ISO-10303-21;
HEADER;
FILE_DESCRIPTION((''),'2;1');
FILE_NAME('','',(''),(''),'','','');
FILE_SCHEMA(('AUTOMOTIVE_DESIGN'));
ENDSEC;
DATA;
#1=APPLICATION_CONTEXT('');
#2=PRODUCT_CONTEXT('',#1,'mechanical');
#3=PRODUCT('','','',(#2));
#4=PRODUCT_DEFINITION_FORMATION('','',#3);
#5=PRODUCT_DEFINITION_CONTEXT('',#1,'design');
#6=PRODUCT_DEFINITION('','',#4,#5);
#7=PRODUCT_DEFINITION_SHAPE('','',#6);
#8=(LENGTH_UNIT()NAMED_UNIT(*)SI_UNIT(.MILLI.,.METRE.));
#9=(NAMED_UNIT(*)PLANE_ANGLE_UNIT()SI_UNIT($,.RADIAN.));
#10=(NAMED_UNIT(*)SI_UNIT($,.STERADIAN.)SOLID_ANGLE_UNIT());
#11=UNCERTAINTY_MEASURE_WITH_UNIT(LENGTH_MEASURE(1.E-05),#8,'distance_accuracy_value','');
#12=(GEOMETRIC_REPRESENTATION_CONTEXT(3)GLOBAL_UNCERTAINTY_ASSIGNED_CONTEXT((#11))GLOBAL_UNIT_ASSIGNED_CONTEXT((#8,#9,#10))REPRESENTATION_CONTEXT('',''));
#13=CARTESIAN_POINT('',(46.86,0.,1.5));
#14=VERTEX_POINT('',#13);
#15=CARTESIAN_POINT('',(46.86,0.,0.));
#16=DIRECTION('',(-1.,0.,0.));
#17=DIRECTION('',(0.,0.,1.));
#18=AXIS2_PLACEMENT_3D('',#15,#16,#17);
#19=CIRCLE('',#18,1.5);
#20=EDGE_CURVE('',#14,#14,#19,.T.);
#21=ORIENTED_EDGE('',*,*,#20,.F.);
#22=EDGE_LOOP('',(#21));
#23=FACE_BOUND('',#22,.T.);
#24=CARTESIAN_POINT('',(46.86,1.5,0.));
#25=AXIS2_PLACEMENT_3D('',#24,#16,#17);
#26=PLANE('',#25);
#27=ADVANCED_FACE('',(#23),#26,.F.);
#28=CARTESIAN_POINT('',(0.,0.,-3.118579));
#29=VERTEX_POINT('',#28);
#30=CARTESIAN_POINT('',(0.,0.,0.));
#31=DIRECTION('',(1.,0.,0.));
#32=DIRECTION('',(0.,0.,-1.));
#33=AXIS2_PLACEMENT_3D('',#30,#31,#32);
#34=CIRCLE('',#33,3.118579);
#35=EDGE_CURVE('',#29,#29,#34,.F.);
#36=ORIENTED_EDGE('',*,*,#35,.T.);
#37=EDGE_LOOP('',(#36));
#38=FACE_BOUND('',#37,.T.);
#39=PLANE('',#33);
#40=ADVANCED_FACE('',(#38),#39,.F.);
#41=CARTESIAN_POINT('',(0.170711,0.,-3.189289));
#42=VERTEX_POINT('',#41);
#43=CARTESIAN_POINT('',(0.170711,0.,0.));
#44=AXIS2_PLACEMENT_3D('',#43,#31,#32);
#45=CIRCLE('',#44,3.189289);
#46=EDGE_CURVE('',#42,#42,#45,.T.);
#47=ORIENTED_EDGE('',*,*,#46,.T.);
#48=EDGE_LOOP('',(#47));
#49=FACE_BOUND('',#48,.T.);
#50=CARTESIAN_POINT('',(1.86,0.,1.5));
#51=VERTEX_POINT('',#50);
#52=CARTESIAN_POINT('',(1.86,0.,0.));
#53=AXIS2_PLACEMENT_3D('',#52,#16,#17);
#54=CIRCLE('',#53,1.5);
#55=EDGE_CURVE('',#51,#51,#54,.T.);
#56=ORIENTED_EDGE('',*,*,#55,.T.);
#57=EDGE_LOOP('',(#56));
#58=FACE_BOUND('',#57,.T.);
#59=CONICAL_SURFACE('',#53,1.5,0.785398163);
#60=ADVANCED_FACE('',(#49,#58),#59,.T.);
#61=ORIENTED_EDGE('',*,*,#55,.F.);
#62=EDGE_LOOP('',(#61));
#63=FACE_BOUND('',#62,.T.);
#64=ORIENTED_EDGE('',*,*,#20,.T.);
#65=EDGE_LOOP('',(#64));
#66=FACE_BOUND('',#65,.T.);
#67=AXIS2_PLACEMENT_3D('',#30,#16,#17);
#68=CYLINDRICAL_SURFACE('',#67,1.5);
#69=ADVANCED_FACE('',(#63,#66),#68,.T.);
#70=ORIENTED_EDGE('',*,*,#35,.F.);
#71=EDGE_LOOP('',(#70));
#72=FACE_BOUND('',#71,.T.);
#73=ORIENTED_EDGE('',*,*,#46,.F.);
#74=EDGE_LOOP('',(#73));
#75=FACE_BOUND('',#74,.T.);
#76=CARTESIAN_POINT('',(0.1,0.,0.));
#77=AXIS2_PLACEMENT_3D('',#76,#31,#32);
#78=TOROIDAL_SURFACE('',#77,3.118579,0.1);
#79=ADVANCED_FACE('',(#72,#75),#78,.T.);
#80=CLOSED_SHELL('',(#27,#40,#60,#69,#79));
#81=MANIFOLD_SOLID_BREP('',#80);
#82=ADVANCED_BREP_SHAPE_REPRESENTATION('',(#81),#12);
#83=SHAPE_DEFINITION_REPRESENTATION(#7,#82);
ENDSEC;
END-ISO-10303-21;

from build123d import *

# Parameters (mm, degrees)
CONG_1_R = 0.1


with BuildPart() as part:
    # Esquisse1 → Révolution1 (revolve)
    with BuildSketch(Plane.XY, mode=Mode.PRIVATE) as r_volution1_sk:
        Polygon((0, 0), (0, 3.36), (1.86, 1.5), (46.86, 1.5), (46.86, 0), align=None)
    revolve(r_volution1_sk.sketch.rotate(Axis((0, 0, 0), (1, 0, 0)), 90), axis=Axis((0, 0, 0), (1, 0, 0)))

    # Congé1
    cong_1_edges = [part.edges().sort_by_distance(p)[0] for p in [
        (0, 0, -3.36),
    ]]
    fillet(cong_1_edges, radius=CONG_1_R)


solid = part.part
